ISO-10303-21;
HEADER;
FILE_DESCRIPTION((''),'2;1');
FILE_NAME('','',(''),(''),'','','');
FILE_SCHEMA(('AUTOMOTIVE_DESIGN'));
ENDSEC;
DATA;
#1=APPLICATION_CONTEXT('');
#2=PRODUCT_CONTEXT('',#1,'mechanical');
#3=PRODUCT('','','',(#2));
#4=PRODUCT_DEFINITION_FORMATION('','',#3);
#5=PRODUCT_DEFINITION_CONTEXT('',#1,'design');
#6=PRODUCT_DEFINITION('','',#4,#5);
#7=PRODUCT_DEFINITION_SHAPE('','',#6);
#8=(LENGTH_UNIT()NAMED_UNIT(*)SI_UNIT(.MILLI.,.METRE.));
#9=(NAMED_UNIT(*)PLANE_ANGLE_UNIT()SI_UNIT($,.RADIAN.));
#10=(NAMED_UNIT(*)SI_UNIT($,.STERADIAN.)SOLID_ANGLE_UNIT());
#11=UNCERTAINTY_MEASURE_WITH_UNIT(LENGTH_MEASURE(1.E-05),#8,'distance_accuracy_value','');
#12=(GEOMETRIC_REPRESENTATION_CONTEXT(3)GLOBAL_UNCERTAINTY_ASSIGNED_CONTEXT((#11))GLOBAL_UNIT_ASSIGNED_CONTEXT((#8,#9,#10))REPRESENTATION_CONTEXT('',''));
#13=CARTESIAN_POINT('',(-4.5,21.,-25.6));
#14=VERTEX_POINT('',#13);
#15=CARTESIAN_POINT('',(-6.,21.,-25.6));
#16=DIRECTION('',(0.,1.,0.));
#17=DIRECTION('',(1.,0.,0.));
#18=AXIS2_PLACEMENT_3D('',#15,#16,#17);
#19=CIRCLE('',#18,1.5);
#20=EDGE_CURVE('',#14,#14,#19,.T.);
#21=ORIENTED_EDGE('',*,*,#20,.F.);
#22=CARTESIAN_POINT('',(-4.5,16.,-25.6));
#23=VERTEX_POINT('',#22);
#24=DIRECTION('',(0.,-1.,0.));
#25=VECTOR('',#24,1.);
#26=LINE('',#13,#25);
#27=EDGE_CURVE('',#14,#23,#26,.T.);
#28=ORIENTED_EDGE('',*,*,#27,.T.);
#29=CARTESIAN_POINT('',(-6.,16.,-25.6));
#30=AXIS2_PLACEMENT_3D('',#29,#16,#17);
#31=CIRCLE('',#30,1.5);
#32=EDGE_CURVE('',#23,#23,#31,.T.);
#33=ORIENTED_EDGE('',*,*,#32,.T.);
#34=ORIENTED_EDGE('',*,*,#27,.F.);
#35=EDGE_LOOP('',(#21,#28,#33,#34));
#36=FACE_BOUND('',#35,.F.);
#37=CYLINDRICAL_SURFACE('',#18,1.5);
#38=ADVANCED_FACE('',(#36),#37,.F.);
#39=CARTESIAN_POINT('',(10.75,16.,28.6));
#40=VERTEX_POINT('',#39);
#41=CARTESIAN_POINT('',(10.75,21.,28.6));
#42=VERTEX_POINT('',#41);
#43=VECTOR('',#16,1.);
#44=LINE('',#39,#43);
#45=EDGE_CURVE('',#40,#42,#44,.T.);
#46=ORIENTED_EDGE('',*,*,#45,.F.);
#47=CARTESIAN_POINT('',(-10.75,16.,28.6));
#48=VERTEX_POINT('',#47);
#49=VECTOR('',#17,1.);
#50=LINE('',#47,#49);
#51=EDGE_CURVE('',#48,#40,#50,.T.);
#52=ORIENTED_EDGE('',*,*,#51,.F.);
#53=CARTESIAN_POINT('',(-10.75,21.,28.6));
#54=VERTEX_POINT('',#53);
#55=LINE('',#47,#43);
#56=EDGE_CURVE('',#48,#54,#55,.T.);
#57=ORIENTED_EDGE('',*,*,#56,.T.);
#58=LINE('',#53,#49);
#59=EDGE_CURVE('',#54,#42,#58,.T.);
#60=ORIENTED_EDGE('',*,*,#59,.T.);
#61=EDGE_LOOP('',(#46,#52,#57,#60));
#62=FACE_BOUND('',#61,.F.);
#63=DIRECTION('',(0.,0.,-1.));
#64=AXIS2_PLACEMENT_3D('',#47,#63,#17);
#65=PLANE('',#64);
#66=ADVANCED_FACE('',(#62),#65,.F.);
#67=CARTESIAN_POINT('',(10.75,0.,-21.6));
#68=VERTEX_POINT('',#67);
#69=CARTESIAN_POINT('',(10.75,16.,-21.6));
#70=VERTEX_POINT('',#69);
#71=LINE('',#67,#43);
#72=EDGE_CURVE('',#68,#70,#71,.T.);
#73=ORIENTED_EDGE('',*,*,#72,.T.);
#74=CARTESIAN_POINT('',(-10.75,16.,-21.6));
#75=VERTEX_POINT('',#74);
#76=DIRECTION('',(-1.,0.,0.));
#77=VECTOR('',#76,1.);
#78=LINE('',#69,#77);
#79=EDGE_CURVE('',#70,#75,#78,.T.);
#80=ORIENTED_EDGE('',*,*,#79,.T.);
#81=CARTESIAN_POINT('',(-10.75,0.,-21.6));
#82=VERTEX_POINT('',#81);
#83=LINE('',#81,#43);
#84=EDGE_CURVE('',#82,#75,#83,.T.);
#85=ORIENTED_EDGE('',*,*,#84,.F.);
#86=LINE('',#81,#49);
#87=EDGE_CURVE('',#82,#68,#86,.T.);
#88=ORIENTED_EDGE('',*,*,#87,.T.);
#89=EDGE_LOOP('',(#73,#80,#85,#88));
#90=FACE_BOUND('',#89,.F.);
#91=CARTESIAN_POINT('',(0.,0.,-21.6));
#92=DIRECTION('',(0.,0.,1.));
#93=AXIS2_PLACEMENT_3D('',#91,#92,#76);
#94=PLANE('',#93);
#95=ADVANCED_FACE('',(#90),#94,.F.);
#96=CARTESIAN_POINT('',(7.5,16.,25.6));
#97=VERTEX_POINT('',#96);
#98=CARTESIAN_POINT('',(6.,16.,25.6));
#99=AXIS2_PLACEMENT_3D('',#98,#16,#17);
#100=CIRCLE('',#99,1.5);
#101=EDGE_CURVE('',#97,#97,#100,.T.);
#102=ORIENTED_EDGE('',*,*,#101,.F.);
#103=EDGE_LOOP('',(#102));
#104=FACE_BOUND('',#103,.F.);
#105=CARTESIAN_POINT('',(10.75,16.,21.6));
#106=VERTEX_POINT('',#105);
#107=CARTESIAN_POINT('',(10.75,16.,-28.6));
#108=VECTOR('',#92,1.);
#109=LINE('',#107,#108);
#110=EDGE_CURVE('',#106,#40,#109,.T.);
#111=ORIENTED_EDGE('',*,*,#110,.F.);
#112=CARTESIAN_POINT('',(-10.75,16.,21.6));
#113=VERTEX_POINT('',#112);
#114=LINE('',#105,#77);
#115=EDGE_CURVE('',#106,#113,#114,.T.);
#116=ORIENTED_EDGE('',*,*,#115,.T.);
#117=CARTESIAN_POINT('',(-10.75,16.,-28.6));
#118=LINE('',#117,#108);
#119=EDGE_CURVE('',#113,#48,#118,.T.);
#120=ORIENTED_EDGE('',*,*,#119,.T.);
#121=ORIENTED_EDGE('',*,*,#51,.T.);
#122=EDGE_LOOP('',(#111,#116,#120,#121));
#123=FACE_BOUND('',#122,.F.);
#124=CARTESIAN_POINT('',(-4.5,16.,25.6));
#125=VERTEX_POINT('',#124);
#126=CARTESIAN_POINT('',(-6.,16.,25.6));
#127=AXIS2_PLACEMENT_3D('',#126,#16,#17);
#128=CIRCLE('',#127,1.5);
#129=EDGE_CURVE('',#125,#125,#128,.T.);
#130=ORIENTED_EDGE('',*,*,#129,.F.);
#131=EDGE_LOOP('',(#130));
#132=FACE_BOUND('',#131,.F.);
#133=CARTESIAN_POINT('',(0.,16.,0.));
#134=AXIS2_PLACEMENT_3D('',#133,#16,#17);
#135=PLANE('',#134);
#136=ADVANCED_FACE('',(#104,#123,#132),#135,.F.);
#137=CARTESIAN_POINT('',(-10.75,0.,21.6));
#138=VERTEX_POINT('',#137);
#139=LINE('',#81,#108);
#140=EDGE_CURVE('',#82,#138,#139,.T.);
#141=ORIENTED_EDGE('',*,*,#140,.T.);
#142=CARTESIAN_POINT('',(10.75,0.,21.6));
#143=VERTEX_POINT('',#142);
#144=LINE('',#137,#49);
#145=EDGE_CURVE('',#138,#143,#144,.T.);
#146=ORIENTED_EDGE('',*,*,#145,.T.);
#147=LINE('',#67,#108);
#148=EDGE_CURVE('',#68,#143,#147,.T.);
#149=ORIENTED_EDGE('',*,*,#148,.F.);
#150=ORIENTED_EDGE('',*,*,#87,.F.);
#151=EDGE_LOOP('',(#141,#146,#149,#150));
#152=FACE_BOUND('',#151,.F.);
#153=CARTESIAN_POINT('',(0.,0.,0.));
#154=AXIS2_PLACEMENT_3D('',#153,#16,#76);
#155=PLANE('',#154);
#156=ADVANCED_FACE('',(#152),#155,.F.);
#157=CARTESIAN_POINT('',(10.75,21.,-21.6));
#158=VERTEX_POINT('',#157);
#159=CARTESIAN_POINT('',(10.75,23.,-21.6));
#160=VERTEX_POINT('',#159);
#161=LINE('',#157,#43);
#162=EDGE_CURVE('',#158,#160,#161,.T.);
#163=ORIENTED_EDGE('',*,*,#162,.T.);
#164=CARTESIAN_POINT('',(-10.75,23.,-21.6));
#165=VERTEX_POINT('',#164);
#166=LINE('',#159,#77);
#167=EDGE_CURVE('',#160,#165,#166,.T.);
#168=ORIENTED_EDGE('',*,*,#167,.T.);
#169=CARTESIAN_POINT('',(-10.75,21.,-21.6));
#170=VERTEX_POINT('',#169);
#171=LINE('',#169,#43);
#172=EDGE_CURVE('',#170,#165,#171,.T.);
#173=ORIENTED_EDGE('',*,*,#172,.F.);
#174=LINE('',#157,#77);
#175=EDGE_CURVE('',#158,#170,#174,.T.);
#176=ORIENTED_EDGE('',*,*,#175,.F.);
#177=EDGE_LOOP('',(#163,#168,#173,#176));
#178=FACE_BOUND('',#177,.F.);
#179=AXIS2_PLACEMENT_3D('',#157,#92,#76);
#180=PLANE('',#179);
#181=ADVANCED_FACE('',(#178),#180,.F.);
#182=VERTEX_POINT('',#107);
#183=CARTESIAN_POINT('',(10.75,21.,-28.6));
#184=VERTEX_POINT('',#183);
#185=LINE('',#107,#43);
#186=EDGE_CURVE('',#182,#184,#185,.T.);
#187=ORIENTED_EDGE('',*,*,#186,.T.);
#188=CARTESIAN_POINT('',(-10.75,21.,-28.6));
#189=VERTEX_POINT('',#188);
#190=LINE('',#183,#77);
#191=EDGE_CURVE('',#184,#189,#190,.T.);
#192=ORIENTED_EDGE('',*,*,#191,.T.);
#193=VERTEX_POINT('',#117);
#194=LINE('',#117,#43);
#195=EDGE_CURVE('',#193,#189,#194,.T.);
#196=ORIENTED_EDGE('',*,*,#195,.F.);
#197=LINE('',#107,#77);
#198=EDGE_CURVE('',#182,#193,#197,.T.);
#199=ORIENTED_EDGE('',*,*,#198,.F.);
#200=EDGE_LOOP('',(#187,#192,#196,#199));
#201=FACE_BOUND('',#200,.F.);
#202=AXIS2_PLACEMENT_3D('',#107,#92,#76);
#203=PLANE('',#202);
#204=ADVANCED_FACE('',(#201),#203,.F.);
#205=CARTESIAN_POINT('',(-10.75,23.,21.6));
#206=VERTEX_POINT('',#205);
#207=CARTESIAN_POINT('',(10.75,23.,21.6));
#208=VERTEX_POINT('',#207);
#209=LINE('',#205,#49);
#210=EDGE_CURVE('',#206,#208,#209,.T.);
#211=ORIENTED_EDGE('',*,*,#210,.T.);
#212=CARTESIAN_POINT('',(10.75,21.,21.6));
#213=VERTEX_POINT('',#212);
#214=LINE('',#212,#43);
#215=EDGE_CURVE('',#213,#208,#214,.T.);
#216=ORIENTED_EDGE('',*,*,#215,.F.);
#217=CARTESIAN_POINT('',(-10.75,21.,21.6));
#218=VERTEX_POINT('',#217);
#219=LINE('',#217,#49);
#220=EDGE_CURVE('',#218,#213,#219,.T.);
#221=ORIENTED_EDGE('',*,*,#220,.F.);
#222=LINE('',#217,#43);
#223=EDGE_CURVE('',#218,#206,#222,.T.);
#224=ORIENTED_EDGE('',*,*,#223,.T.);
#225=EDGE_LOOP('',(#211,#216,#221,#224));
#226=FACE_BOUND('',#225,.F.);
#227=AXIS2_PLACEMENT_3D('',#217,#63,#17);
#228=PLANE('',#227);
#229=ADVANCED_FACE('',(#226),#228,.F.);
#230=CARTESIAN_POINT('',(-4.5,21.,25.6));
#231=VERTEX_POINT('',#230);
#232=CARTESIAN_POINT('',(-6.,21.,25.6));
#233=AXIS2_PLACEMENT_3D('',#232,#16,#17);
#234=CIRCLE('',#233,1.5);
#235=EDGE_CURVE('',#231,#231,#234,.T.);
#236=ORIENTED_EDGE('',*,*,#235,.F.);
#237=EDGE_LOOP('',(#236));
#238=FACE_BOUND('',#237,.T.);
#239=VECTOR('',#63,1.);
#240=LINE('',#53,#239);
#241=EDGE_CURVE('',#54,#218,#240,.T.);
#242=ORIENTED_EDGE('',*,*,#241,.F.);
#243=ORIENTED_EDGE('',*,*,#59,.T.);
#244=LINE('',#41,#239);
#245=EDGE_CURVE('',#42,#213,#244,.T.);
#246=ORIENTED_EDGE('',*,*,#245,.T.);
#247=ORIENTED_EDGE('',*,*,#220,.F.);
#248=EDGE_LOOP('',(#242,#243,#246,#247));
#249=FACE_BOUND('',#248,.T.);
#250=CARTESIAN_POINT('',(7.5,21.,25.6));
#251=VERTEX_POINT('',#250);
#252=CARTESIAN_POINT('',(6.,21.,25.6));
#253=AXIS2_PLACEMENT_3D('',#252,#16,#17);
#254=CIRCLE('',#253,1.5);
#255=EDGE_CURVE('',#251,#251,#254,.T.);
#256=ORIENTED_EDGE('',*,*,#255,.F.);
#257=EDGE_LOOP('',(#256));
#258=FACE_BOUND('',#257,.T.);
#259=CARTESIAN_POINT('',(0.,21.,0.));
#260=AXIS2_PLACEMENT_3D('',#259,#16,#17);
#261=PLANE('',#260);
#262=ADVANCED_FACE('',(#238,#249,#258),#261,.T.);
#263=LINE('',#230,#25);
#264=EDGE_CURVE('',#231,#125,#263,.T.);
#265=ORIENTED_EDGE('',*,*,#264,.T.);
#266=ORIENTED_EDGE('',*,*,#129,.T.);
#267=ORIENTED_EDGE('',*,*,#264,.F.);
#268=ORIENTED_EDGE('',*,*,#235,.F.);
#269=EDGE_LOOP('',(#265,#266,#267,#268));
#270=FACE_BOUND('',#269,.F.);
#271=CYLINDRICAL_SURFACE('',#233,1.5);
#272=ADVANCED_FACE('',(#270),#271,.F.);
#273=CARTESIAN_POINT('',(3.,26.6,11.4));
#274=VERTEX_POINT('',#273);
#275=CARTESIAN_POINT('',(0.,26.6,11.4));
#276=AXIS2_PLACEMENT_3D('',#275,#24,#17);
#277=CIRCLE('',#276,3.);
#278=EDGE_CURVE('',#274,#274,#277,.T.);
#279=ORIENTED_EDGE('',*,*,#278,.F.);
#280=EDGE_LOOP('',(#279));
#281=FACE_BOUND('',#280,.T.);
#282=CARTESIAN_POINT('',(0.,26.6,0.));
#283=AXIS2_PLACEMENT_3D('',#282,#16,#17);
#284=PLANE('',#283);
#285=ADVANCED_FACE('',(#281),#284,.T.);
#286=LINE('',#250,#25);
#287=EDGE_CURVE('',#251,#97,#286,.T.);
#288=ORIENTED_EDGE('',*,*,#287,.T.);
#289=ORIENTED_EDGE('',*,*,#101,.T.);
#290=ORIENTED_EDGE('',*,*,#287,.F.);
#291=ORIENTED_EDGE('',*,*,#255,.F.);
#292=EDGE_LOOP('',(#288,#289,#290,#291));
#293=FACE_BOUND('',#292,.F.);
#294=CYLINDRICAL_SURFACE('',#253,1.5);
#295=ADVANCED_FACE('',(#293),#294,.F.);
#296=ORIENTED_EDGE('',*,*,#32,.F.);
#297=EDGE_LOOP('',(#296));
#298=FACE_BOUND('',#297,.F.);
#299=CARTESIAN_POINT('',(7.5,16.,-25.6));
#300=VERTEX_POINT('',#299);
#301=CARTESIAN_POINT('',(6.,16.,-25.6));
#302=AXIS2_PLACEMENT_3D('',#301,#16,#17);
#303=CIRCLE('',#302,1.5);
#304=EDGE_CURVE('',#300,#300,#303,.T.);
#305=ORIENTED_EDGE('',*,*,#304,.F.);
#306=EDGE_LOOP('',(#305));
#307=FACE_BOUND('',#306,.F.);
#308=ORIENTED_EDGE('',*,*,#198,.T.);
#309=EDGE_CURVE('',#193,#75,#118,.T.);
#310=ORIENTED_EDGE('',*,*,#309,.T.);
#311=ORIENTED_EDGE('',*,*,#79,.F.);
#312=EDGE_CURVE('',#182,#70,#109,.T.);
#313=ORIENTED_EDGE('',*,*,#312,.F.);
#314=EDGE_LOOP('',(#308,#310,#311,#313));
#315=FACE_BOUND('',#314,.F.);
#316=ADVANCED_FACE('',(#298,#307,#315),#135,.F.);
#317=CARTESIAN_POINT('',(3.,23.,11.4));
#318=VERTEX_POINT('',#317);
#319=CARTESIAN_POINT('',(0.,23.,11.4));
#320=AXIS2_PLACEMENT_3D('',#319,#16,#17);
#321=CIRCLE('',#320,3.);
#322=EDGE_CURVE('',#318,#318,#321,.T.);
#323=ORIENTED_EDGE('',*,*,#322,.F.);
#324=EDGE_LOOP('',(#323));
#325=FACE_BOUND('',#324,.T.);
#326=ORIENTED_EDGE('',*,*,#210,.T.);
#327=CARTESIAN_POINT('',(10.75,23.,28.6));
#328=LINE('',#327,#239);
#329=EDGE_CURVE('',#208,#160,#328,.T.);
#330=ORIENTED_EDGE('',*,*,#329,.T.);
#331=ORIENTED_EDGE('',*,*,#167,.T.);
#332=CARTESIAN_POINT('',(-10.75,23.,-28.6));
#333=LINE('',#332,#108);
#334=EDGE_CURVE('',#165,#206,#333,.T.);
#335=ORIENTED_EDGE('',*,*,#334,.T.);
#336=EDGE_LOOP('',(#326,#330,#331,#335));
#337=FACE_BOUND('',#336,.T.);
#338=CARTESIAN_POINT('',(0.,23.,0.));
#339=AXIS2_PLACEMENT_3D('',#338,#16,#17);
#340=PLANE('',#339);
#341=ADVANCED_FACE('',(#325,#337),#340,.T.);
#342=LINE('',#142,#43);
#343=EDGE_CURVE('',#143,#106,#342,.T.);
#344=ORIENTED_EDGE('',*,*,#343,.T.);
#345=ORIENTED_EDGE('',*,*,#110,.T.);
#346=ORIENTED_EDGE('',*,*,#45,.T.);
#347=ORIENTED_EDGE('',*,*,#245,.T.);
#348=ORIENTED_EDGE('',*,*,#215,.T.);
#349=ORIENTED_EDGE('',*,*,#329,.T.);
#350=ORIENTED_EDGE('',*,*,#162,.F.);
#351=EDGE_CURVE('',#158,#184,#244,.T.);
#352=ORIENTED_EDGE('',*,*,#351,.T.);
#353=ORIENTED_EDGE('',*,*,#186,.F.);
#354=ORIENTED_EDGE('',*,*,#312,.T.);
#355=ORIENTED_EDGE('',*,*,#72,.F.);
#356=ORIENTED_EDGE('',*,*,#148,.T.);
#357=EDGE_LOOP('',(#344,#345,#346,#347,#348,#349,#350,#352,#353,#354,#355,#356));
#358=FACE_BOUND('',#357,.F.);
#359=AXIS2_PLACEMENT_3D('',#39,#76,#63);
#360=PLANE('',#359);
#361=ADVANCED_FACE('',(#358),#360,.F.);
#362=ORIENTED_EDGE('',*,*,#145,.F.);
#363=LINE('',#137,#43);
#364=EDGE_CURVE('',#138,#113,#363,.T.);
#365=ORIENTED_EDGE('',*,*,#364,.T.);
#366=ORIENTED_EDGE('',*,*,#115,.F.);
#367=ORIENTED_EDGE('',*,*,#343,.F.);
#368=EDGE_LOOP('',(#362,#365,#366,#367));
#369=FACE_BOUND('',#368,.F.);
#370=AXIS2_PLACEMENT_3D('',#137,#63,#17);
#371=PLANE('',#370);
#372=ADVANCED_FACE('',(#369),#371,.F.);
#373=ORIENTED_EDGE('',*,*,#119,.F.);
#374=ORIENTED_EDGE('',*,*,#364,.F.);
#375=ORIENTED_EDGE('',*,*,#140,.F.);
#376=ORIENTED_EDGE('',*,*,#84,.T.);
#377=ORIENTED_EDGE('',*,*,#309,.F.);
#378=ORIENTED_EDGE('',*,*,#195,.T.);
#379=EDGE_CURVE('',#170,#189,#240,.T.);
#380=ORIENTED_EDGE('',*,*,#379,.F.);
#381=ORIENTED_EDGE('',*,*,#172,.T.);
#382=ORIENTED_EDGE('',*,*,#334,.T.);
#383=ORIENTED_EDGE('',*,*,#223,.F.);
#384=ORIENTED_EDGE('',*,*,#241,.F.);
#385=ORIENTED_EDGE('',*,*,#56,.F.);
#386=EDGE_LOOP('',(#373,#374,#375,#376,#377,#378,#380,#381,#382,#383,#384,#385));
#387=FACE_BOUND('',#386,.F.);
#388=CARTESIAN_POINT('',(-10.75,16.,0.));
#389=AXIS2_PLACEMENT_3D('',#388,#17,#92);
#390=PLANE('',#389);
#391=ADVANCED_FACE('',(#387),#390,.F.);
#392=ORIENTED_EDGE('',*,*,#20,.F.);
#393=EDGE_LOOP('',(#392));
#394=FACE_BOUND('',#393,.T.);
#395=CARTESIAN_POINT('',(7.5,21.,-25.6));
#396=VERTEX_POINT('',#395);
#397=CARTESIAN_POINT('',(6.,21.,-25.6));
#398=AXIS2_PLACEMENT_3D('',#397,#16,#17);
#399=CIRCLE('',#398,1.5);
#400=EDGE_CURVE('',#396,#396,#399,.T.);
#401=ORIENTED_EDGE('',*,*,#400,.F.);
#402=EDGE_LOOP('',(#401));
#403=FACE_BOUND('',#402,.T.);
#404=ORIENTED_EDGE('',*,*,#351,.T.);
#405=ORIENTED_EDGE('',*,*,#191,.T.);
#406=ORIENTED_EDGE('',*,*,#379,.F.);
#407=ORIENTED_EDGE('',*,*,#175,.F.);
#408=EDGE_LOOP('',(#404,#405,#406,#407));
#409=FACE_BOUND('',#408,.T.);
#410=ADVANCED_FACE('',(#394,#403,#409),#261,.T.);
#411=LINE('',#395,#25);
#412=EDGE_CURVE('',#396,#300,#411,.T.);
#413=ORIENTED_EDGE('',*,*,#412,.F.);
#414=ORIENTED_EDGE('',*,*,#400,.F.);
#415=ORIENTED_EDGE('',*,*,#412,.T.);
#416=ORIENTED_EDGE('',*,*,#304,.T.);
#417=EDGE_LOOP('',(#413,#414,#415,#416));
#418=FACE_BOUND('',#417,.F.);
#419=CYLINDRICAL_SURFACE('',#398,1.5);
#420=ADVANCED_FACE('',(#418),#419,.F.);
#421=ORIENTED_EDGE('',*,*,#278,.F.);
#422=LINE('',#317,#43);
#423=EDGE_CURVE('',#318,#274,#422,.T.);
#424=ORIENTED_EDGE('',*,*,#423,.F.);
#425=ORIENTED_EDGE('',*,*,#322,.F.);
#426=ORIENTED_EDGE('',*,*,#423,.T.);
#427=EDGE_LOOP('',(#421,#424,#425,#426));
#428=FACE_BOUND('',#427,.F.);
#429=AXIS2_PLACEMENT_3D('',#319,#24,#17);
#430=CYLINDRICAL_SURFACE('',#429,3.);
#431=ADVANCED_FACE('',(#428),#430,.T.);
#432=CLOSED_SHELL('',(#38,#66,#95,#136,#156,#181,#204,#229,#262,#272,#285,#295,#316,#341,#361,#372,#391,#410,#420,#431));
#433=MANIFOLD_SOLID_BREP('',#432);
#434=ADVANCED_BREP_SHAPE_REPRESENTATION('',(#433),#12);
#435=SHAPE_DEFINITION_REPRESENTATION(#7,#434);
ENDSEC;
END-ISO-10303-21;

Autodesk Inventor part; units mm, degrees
ref_plane "YZ Plane" through (0, 0, 0) normal (1, 0, 0) x (0, 1, 0)
ref_plane "XZ Plane" through (0, 0, 0) normal (0, 1, 0) x (-1, 0, 0)
ref_plane "XY Plane" through (0, 0, 0) normal (0, 0, 1) x (1, 0, 0)
sketch "スケッチ1" plane through (0, 0, 0) normal (0, 1, 0) x (-1, 0, 0)
  line L0 (10.75, 21.6) -> (-10.75, 21.6)
  line L1 (-10.75, 21.6) -> (-10.75, -21.6)
  line L2 (-10.75, -21.6) -> (10.75, -21.6)
  line L3 (10.75, -21.6) -> (10.75, 21.6)
  line L4 (0, -30.24) -> (0, 30.24) projected
  line L5 (-15.05, 0) -> (15.05, 0) projected
  point P0 (0, 0)
  dimension "d0" = 21.5
  dimension "d1" = 43.2
extrude "押し出し1" add sketch "スケッチ1" along normal blind 16
sketch "スケッチ2" plane through (0, 16, 0) normal (0, 1, 0) x (1, 0, 0)
  line L0 (-10.75, -28.6) -> (10.75, -28.6)
  line L1 (10.75, -28.6) -> (10.75, 28.6)
  line L2 (10.75, 28.6) -> (-10.75, 28.6)
  line L3 (-10.75, 28.6) -> (-10.75, -28.6)
  line L4 (15.155, 0) -> (-15.155, 0) projected
  point P0 (0, 0)
  point P1 (-10.75, -21.6)
  point P2 (10.75, -21.6)
  dimension "d4" = 57.2
extrude "押し出し2" add sketch "スケッチ2" along normal blind 5
sketch "スケッチ3" plane through (0, 21, 0) normal (0, 1, 0) x (1, 0, 0)
  circle A0 centre (-6, -25.6) radius 1.5
  circle A1 centre (6, -25.6) radius 1.5
  circle A2 centre (-6, 25.6) radius 1.5
  circle A3 centre (6, 25.6) radius 1.5
  line L0 (15.05, 0) -> (-15.05, 0) projected
  line L1 (0, 40.04) -> (0, -40.04) projected
  point P0 (0, 0)
  dimension "d9" = 3
  dimension "d10" = 3
  dimension "d11" = 3
  dimension "d12" = 3
  dimension "d13" = 12
  dimension "d14" = 12
  dimension "d15" = 51.2
  dimension "d16" = 51.2
extrude "押し出し3" cut sketch "スケッチ3" against normal up to next
sketch "スケッチ4" plane through (0, 21, 0) normal (0, 1, 0) x (1, 0, 0)
  line L0 (10.75, 21.6) -> (-10.75, 21.6) projected
  line L1 (-10.75, -21.6) -> (10.75, -21.6) projected
  line L2 (-10.75, 28.6) -> (-10.75, -28.6) projected
  line L3 (10.75, -28.6) -> (10.75, 28.6) projected
  point P0 (0, 0)
extrude "押し出し4" add sketch "スケッチ4" along normal blind 2
sketch "スケッチ5" plane through (0, 23, 0) normal (0, 1, 0) x (1, 0, 0)
  circle A0 centre (0, -11.4) radius 3
  circle A1 centre (6, -25.6) radius 1.5 projected
  line L0 (0, 40.04) -> (0, -40.04) projected
  point P0 (0, 0)
  dimension "d21" = 14.2
  dimension "d22" = 6
extrude "押し出し5" add sketch "スケッチ5" along normal blind 3.6 contours A0 L0 | L0 A0
properties part number "servo"
